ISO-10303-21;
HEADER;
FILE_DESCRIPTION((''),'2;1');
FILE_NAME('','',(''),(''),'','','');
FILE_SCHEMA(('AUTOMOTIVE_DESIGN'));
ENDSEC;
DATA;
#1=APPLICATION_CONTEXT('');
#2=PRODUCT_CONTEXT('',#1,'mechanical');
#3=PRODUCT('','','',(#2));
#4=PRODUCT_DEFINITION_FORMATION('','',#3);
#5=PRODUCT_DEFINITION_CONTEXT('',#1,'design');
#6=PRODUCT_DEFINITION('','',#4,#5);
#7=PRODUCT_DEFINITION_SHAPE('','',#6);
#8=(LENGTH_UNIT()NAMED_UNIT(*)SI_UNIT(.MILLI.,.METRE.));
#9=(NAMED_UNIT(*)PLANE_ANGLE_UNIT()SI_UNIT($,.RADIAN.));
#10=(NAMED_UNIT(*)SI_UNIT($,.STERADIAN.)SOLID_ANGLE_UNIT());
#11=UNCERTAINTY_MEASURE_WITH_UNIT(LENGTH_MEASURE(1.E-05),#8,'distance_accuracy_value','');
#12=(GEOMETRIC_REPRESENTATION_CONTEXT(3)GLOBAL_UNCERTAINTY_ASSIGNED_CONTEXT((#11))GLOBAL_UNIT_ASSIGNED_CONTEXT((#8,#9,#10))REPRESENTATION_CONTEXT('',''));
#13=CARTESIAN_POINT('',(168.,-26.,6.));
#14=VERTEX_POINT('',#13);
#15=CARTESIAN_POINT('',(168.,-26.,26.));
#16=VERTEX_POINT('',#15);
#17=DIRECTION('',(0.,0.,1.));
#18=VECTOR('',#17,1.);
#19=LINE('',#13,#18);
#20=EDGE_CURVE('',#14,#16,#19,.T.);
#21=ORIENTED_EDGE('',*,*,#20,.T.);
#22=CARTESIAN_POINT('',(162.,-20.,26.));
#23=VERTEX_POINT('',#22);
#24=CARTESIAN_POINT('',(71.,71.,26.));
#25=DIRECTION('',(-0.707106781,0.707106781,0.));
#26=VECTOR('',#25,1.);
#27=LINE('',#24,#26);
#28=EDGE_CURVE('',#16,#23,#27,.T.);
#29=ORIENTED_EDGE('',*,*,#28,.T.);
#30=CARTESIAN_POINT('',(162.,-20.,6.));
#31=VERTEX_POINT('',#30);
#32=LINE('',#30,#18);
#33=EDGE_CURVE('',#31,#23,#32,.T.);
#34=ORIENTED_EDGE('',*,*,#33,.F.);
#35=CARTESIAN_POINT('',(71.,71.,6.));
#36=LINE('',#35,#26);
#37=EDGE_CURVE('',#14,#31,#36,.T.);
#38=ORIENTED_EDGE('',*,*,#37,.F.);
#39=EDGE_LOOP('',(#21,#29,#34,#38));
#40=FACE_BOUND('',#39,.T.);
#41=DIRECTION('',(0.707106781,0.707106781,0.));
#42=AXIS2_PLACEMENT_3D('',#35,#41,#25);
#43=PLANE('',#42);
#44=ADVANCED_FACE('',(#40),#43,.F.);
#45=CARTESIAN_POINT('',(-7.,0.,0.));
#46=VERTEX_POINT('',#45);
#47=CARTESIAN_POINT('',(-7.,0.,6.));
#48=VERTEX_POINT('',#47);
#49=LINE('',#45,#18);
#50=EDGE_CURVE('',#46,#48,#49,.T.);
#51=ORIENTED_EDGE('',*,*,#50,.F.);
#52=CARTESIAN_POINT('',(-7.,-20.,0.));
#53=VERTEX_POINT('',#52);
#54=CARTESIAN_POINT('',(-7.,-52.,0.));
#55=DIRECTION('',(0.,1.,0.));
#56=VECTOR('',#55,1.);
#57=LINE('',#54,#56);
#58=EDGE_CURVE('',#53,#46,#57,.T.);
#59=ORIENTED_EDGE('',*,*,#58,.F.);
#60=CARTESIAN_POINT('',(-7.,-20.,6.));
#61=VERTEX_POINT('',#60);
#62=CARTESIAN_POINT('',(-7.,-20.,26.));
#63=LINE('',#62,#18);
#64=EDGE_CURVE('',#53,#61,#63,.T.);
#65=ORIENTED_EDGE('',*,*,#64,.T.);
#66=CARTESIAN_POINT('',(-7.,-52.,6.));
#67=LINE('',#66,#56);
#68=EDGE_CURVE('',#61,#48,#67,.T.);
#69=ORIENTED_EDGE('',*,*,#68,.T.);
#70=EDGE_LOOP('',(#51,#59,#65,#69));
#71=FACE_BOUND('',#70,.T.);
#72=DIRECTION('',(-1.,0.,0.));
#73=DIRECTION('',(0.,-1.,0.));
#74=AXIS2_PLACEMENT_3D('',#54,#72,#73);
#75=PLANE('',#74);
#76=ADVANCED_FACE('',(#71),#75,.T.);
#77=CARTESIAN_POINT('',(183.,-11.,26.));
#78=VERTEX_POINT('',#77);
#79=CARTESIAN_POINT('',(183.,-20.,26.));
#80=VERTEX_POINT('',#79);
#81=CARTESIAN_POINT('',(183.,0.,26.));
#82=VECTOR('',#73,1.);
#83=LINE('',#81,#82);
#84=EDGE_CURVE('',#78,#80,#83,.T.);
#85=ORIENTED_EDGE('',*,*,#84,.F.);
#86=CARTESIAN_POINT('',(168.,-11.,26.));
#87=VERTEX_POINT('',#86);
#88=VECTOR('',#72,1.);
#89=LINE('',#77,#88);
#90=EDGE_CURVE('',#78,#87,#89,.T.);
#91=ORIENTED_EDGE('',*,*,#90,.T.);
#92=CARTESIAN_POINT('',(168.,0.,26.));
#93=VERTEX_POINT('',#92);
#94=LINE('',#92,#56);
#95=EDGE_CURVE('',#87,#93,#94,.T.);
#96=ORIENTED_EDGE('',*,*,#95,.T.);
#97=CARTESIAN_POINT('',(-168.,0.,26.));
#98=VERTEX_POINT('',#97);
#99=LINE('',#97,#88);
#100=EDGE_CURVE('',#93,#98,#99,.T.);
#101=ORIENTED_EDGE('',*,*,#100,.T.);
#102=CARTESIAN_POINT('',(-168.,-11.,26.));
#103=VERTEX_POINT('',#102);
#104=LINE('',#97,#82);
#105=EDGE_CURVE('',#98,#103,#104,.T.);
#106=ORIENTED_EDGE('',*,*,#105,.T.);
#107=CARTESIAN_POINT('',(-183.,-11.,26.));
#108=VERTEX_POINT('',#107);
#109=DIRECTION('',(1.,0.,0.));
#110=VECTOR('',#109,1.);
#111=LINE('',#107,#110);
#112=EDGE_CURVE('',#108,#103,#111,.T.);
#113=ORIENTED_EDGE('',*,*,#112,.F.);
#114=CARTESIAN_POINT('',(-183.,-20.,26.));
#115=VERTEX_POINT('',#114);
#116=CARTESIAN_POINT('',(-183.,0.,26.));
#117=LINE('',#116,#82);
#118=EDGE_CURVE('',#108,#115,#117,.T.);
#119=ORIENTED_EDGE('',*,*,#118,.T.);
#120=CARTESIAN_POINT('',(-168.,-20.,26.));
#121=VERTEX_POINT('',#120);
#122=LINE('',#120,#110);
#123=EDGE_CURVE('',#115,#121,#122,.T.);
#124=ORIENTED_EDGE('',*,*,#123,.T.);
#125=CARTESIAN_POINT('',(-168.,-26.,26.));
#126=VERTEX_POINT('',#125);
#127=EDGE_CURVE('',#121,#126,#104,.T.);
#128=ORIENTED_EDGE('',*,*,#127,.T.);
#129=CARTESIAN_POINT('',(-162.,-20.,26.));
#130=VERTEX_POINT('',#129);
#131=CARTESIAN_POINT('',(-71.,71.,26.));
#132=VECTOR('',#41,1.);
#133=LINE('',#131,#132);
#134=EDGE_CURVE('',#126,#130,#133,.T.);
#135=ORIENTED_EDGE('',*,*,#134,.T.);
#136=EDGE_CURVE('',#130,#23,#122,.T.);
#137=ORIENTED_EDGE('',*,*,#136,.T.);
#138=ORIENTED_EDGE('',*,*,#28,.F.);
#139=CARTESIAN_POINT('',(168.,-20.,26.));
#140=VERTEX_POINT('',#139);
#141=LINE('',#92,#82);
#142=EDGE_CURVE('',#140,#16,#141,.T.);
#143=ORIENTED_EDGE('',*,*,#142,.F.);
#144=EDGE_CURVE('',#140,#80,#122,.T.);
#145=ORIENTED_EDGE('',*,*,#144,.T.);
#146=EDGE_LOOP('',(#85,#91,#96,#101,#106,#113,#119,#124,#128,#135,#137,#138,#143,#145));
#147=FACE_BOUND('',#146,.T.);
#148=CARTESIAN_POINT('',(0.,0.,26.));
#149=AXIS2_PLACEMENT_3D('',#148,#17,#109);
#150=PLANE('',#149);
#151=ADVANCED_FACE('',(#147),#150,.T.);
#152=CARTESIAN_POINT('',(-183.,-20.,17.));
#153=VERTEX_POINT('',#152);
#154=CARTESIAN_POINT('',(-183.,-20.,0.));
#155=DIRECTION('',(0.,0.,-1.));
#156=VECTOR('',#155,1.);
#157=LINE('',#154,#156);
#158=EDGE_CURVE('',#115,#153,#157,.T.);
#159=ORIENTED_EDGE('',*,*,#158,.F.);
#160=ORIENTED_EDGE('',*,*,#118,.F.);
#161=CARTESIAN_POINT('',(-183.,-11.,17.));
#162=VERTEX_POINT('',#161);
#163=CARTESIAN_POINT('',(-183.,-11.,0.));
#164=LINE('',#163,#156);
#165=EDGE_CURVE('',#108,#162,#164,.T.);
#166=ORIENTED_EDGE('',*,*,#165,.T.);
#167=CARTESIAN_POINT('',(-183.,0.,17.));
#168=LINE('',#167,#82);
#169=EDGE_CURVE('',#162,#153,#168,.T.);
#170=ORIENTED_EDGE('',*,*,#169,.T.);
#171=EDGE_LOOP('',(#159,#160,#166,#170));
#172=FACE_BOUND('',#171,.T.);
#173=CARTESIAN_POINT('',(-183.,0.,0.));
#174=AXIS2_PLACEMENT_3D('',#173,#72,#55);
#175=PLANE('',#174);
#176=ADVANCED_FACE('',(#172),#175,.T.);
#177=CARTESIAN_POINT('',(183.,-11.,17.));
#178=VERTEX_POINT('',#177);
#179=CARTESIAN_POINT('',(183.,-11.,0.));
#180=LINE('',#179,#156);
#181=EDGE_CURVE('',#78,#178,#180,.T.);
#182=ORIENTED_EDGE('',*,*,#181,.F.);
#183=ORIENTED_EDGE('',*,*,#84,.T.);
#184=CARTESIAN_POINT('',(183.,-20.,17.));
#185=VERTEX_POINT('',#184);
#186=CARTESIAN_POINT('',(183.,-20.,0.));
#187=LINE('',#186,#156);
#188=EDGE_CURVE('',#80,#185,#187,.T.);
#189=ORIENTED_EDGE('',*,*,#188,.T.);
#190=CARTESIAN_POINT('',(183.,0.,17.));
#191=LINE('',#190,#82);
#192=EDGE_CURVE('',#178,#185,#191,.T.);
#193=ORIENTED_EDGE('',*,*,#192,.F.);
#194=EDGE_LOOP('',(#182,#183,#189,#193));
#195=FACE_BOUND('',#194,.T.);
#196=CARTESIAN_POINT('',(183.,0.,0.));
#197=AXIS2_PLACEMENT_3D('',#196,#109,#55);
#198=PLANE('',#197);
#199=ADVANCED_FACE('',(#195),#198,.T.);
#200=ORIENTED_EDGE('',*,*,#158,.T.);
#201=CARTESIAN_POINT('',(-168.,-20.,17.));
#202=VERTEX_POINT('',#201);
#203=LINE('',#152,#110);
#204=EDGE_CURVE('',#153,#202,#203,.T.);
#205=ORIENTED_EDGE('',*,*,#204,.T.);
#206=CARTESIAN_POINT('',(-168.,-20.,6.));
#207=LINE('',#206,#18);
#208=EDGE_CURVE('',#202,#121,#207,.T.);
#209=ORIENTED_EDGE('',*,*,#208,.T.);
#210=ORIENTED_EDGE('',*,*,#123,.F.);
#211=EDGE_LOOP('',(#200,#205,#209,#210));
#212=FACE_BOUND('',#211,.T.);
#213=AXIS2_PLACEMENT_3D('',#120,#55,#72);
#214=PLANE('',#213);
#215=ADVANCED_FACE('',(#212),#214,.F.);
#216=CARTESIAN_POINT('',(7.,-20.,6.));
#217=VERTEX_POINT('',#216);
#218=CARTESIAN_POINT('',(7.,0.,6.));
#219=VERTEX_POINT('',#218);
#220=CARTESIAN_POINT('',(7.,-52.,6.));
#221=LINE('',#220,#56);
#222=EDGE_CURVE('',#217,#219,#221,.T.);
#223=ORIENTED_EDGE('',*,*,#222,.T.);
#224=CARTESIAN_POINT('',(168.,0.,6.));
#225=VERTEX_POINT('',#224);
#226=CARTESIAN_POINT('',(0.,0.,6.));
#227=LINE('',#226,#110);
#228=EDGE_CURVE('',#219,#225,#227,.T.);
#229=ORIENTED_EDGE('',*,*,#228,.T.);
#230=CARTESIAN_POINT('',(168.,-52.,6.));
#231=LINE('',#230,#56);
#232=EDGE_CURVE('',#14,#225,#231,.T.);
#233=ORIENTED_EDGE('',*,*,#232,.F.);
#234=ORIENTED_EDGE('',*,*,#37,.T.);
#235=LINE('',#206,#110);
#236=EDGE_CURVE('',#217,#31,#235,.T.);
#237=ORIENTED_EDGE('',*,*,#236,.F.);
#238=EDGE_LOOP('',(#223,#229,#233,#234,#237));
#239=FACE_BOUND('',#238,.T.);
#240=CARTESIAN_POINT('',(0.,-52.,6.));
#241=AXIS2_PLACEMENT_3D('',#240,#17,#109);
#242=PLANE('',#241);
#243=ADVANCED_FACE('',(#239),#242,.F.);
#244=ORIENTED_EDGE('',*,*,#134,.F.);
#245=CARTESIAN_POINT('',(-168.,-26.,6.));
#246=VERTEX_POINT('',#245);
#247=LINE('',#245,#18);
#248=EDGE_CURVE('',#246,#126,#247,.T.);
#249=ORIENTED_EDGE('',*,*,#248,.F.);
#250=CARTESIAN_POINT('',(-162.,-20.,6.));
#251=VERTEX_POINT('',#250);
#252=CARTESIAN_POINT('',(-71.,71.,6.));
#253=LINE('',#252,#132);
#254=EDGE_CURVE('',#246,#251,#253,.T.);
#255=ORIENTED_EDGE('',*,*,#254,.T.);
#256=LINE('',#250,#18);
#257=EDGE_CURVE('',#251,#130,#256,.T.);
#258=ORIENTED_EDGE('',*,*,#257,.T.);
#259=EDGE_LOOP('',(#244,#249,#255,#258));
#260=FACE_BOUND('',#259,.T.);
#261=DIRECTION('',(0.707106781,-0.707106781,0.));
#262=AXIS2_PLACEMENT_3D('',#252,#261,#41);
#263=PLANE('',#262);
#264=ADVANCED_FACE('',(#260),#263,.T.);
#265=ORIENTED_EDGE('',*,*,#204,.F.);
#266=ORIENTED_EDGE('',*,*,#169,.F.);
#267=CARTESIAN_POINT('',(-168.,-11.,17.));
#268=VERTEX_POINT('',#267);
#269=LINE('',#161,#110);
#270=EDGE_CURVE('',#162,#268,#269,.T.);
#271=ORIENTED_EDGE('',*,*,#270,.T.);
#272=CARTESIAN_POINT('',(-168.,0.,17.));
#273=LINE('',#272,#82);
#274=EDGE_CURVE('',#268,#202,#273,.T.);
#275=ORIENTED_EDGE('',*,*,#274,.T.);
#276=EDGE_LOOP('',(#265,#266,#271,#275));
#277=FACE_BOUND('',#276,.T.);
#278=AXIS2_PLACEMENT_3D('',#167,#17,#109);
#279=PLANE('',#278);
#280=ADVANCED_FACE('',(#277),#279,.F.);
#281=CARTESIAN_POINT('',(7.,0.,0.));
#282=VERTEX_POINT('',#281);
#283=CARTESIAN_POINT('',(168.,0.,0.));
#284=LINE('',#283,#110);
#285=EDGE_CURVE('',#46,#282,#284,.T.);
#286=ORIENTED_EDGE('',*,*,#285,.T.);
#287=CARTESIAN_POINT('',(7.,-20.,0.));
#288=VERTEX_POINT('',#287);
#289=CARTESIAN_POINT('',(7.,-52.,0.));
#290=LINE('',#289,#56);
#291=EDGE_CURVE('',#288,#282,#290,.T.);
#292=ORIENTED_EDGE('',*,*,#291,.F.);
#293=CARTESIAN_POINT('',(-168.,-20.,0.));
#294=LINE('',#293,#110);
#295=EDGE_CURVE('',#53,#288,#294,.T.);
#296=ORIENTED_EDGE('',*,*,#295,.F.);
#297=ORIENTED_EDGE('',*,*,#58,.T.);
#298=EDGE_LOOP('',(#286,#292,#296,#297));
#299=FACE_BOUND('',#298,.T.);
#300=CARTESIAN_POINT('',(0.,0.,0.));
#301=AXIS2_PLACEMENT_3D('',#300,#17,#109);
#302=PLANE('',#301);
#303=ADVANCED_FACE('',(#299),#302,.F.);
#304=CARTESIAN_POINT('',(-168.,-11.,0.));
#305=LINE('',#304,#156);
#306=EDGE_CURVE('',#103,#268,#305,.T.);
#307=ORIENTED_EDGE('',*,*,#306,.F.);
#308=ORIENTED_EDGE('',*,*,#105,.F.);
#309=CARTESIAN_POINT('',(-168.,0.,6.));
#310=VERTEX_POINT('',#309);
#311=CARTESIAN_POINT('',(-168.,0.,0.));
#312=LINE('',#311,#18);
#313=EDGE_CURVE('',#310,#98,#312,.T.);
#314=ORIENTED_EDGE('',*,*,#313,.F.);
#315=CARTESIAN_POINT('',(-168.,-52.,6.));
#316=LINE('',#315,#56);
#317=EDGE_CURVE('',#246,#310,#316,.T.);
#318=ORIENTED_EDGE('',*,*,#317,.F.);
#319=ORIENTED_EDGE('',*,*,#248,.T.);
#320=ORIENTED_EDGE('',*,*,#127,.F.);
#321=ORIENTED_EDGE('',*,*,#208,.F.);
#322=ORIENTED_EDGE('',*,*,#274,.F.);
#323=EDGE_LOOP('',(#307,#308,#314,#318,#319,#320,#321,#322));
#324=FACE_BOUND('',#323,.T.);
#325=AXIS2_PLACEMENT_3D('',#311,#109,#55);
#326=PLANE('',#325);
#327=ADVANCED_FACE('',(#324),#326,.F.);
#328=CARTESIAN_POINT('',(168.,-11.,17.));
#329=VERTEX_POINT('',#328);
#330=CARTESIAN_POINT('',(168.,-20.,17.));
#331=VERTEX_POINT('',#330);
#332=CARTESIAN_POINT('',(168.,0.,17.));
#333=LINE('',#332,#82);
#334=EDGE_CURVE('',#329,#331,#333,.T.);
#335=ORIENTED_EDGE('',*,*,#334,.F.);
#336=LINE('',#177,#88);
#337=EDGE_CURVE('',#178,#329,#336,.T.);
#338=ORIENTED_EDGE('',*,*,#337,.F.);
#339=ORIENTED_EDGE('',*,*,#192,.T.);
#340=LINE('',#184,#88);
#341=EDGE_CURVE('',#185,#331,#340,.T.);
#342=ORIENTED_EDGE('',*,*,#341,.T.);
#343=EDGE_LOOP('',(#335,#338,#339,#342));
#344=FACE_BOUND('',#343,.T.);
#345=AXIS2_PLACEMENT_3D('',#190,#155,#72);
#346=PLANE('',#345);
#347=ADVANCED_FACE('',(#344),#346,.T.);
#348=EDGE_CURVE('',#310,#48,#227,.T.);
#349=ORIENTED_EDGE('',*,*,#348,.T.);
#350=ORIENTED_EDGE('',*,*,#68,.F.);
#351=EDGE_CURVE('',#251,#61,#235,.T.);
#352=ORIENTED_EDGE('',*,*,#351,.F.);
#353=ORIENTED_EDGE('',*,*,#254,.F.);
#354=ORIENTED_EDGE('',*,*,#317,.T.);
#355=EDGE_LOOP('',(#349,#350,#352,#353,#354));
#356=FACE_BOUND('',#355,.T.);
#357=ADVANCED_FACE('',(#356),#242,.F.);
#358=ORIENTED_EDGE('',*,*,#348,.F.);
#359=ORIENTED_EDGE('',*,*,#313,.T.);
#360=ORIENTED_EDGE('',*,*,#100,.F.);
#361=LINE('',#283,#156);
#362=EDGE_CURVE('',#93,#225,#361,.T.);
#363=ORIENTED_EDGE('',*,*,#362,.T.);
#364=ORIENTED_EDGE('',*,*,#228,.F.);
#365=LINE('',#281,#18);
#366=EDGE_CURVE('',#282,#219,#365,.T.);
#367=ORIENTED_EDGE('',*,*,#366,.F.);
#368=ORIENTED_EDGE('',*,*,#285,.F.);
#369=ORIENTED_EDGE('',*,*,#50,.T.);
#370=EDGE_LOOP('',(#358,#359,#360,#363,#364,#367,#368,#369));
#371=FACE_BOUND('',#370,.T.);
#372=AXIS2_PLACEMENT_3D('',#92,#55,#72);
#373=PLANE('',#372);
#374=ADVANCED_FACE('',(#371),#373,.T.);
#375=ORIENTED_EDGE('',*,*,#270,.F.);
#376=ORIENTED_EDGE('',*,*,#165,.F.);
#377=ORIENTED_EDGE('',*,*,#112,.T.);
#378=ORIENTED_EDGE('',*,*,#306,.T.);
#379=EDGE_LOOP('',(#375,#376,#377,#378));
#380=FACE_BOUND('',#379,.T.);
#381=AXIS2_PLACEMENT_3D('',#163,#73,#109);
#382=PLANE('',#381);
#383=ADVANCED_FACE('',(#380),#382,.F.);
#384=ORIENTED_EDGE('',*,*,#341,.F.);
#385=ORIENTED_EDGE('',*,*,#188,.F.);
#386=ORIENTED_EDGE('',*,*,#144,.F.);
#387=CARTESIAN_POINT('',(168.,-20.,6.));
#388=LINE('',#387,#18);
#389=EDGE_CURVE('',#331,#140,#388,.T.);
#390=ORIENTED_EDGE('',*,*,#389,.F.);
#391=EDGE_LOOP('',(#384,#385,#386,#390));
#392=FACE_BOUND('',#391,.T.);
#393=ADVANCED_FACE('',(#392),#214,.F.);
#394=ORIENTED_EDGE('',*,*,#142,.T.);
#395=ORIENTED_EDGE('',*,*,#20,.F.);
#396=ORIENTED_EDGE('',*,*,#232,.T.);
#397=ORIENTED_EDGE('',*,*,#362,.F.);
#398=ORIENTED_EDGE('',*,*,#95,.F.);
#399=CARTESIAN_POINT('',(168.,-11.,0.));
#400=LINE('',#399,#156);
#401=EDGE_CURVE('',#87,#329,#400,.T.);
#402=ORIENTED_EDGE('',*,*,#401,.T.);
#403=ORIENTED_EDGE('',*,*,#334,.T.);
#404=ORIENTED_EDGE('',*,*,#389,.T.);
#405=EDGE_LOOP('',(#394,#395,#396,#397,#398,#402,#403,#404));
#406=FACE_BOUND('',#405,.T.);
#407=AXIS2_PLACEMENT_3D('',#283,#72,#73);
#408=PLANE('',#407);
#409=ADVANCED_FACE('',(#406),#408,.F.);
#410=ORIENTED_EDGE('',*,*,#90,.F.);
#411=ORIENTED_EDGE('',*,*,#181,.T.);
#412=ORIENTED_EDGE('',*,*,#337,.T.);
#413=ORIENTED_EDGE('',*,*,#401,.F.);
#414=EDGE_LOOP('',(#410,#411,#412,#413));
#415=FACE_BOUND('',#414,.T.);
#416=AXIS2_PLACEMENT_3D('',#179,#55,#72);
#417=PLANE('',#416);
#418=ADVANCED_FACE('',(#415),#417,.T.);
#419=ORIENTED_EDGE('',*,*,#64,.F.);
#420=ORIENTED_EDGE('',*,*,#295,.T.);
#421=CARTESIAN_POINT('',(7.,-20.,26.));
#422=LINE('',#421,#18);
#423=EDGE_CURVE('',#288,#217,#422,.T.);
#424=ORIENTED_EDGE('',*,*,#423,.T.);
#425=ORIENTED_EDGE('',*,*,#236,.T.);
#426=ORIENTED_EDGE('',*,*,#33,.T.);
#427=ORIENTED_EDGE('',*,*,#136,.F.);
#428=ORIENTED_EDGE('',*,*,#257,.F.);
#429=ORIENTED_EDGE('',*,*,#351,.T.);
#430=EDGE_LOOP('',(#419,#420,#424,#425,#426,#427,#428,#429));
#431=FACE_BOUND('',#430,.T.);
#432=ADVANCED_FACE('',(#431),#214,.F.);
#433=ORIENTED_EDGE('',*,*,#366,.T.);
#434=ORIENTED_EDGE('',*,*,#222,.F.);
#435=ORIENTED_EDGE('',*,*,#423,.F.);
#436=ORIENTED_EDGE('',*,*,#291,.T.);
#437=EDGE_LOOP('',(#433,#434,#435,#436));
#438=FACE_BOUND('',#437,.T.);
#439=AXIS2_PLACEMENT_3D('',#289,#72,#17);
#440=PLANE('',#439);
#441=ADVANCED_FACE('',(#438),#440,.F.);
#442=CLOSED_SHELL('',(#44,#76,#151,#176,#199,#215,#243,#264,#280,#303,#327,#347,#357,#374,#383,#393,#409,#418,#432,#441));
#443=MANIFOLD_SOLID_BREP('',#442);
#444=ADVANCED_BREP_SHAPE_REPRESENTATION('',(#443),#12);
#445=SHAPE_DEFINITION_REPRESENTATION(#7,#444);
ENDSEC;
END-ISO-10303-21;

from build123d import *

# Parameters (mm, degrees)
EXTRUDE_1_DEPTH     = 26
SKETCH_1_4_W        = 4
SKETCH_1_4_H        = 340
EXTRUDE_2_DEPTH     = 19
FILLET_1_R          = 10
EXTRUDE_3_DEPTH     = 2
SKETCH_5_W          = 161
SKETCH_5_H          = 6
CUT_EXTRUDE_1_DEPTH = 52
CUT_EXTRUDE_2_DEPTH = 72
CUT_EXTRUDE_3_DEPTH = 72
CUT_EXTRUDE_4_DEPTH = 362
SKETCH_9_W          = 9
SKETCH_9_H          = 9
EXTRUDE_4_DEPTH     = 15
EXTRUDE_5_DEPTH     = 20


with BuildPart() as part:
    # 스케치1 → 보스-돌출1 (new body)
    with BuildSketch(Plane.XY):
        Polygon((-168, 0), (168, 0), (183, 0), (183, -340), (168, -340), (168, -20), (-168, -20), (-168, -340), (-183, -340), (-183, 0), align=None)
    extrude(amount=EXTRUDE_1_DEPTH)

    # 스케치1<4> → 보스-돌출2 (add)
    with BuildSketch(Plane.XY):
        with Locations((-170, -170)):
            Rectangle(SKETCH_1_4_W, SKETCH_1_4_H)
        with Locations((170, -170)):
            Rectangle(SKETCH_1_4_W, SKETCH_1_4_H)
    extrude(amount=-EXTRUDE_2_DEPTH)

    # 필렛1
    fillet_1_edges = [part.edges().sort_by_distance(p)[0] for p in [
        (-170, 0, -19),
        (170, 0, -19),
        (170, -340, -19),
        (-170, -340, -19),
    ]]
    fillet(fillet_1_edges, radius=FILLET_1_R)

    # 스케치3 → 보스-돌출3 (add)
    with BuildSketch(Plane.ZY.offset(-168)):
        with BuildLine():
            Line((-12, -339.539392014), (-12, -0.460607986))
            ThreePointArc((-12, -0.460607986), (-13.02408013, -0.845395743), (-14, -1.339745962))
            Line((-14, -1.339745962), (-14, -338.660254038))
            ThreePointArc((-14, -338.660254038), (-13.02408013, -339.154604257), (-12, -339.539392014))
        make_face()
    extrude_3 = extrude(amount=EXTRUDE_3_DEPTH)

    # 대칭 복사1: 보스-돌출3 across plane
    add(extrude_3.mirror(Plane(origin=(0, 0, 0), x_dir=(0, 0, 1), z_dir=(1, 0, 0))))

    # 스케치5 → 컷-돌출1 (cut)
    with BuildSketch(Plane(origin=(0, 0, 0), x_dir=(1, 0, 0), z_dir=(0, 1, 0))):
        with Locations((-87.5, -3)):
            Rectangle(SKETCH_5_W, SKETCH_5_H)
        with Locations((87.5, -3)):
            Rectangle(SKETCH_5_W, SKETCH_5_H)
    extrude(amount=-CUT_EXTRUDE_1_DEPTH, mode=Mode.SUBTRACT)

    # 스케치7 → 컷-돌출2 (cut)
    with BuildSketch(Plane.ZY.offset(-168)):
        with BuildLine():
            Line((26, 0), (-9, 0))
            ThreePointArc((-9, 0), (-16.071067812, -2.928932188), (-19, -10))
            Line((-19, -10), (-19, -330))
            ThreePointArc((-19, -330), (-16.071067812, -337.071067812), (-9, -340))
            Line((-9, -340), (26, -340))
            Line((26, -340), (26, 0))
        make_face()
    extrude(amount=-CUT_EXTRUDE_2_DEPTH, mode=Mode.SUBTRACT)


with BuildPart() as cut_extrude_2_piece_1:
    # of the separate pieces the step leaves, piece 1, a body of its own (cut_extrude_2_pieces)
    add(part.part.solids().sort_by_distance((168, 0, 26))[0])

    # 스케치8 → 컷-돌출3 (cut)
    with BuildSketch(Plane(origin=(-168, 0, 0), x_dir=(0, 0, -1), z_dir=(1, 0, 0))):
        with BuildLine():
            Line((9, 0), (-26, 0))
            Line((-26, 0), (-26, -340))
            Line((-26, -340), (9, -340))
            ThreePointArc((9, -340), (10.517576993, -339.884177258), (12, -339.539392014))
            Line((12, -339.539392014), (12, -0.460607986))
            ThreePointArc((12, -0.460607986), (10.517576993, -0.115822742), (9, 0))
        make_face()
    extrude(amount=-CUT_EXTRUDE_3_DEPTH, mode=Mode.SUBTRACT)


with BuildPart() as cut_extrude_2_piece_2:
    # of the separate pieces the step leaves, piece 2, a body of its own (cut_extrude_2_pieces)
    add(part.part.solids().sort_by_distance((168, -339.539392014, -12))[0])


with BuildPart() as cut_extrude_3_piece_1:
    # of the separate pieces the step leaves, piece 1, a body of its own (cut_extrude_3_pieces)
    add(cut_extrude_2_piece_1.part.solids().sort_by_distance((-168, 0, 26))[0])

    # 스케치9 → 보스-돌출4 (add)
    with BuildSketch(Plane(origin=(168, 0, 0), x_dir=(0, 0, -1), z_dir=(1, 0, 0))):
        with Locations((-21.5, -15.5)):
            Rectangle(SKETCH_9_W, SKETCH_9_H)
    extrude_4 = extrude(amount=EXTRUDE_4_DEPTH)

    # 대칭 복사2: 보스-돌출4 across plane
    add(extrude_4.mirror(Plane(origin=(0, 0, 0), x_dir=(0, 0, 1), z_dir=(1, 0, 0))))

    # 스케치10 → 보스-돌출5 (add)
    with BuildSketch(Plane.XY.offset(26)):
        Polygon((168, -20), (162, -20), (168, -26), align=None)
    extrude_5 = extrude(amount=-EXTRUDE_5_DEPTH)

    # 대칭 복사3: 보스-돌출5 across plane
    add(extrude_5.mirror(Plane(origin=(0, 0, 0), x_dir=(0, 0, 1), z_dir=(1, 0, 0))))


with BuildPart() as cut_extrude_3_piece_2:
    # of the separate pieces the step leaves, piece 2, a body of its own (cut_extrude_3_pieces)
    add(cut_extrude_2_piece_1.part.solids().sort_by_distance((-172, -0.460607986, -12))[0])


with BuildPart() as cut_extrude_4_tool:
    # 스케치7<3> → 컷-돌출4 (new body)
    with BuildSketch(Plane.ZY.offset(-168)):
        with BuildLine():
            Line((-12, -339.539392014), (-12, -0.460607986))
            ThreePointArc((-12, -0.460607986), (-17.062257748, -4.083920217), (-19, -10))
            Line((-19, -10), (-19, -330))
            ThreePointArc((-19, -330), (-17.062257748, -335.916079783), (-12, -339.539392014))
        make_face()
    extrude(amount=CUT_EXTRUDE_4_DEPTH)


with BuildPart() as cut_extrude_2_piece_2_1:
    add(cut_extrude_2_piece_2.part)

    # 컷-돌출4: cut by cut_extrude_4_tool
    add(cut_extrude_4_tool.part, mode=Mode.SUBTRACT)


with BuildPart() as cut_extrude_3_piece_2_1:
    add(cut_extrude_3_piece_2.part)

    # 컷-돌출4: cut by cut_extrude_4_tool
    add(cut_extrude_4_tool.part, mode=Mode.SUBTRACT)


solid = cut_extrude_3_piece_1.part
